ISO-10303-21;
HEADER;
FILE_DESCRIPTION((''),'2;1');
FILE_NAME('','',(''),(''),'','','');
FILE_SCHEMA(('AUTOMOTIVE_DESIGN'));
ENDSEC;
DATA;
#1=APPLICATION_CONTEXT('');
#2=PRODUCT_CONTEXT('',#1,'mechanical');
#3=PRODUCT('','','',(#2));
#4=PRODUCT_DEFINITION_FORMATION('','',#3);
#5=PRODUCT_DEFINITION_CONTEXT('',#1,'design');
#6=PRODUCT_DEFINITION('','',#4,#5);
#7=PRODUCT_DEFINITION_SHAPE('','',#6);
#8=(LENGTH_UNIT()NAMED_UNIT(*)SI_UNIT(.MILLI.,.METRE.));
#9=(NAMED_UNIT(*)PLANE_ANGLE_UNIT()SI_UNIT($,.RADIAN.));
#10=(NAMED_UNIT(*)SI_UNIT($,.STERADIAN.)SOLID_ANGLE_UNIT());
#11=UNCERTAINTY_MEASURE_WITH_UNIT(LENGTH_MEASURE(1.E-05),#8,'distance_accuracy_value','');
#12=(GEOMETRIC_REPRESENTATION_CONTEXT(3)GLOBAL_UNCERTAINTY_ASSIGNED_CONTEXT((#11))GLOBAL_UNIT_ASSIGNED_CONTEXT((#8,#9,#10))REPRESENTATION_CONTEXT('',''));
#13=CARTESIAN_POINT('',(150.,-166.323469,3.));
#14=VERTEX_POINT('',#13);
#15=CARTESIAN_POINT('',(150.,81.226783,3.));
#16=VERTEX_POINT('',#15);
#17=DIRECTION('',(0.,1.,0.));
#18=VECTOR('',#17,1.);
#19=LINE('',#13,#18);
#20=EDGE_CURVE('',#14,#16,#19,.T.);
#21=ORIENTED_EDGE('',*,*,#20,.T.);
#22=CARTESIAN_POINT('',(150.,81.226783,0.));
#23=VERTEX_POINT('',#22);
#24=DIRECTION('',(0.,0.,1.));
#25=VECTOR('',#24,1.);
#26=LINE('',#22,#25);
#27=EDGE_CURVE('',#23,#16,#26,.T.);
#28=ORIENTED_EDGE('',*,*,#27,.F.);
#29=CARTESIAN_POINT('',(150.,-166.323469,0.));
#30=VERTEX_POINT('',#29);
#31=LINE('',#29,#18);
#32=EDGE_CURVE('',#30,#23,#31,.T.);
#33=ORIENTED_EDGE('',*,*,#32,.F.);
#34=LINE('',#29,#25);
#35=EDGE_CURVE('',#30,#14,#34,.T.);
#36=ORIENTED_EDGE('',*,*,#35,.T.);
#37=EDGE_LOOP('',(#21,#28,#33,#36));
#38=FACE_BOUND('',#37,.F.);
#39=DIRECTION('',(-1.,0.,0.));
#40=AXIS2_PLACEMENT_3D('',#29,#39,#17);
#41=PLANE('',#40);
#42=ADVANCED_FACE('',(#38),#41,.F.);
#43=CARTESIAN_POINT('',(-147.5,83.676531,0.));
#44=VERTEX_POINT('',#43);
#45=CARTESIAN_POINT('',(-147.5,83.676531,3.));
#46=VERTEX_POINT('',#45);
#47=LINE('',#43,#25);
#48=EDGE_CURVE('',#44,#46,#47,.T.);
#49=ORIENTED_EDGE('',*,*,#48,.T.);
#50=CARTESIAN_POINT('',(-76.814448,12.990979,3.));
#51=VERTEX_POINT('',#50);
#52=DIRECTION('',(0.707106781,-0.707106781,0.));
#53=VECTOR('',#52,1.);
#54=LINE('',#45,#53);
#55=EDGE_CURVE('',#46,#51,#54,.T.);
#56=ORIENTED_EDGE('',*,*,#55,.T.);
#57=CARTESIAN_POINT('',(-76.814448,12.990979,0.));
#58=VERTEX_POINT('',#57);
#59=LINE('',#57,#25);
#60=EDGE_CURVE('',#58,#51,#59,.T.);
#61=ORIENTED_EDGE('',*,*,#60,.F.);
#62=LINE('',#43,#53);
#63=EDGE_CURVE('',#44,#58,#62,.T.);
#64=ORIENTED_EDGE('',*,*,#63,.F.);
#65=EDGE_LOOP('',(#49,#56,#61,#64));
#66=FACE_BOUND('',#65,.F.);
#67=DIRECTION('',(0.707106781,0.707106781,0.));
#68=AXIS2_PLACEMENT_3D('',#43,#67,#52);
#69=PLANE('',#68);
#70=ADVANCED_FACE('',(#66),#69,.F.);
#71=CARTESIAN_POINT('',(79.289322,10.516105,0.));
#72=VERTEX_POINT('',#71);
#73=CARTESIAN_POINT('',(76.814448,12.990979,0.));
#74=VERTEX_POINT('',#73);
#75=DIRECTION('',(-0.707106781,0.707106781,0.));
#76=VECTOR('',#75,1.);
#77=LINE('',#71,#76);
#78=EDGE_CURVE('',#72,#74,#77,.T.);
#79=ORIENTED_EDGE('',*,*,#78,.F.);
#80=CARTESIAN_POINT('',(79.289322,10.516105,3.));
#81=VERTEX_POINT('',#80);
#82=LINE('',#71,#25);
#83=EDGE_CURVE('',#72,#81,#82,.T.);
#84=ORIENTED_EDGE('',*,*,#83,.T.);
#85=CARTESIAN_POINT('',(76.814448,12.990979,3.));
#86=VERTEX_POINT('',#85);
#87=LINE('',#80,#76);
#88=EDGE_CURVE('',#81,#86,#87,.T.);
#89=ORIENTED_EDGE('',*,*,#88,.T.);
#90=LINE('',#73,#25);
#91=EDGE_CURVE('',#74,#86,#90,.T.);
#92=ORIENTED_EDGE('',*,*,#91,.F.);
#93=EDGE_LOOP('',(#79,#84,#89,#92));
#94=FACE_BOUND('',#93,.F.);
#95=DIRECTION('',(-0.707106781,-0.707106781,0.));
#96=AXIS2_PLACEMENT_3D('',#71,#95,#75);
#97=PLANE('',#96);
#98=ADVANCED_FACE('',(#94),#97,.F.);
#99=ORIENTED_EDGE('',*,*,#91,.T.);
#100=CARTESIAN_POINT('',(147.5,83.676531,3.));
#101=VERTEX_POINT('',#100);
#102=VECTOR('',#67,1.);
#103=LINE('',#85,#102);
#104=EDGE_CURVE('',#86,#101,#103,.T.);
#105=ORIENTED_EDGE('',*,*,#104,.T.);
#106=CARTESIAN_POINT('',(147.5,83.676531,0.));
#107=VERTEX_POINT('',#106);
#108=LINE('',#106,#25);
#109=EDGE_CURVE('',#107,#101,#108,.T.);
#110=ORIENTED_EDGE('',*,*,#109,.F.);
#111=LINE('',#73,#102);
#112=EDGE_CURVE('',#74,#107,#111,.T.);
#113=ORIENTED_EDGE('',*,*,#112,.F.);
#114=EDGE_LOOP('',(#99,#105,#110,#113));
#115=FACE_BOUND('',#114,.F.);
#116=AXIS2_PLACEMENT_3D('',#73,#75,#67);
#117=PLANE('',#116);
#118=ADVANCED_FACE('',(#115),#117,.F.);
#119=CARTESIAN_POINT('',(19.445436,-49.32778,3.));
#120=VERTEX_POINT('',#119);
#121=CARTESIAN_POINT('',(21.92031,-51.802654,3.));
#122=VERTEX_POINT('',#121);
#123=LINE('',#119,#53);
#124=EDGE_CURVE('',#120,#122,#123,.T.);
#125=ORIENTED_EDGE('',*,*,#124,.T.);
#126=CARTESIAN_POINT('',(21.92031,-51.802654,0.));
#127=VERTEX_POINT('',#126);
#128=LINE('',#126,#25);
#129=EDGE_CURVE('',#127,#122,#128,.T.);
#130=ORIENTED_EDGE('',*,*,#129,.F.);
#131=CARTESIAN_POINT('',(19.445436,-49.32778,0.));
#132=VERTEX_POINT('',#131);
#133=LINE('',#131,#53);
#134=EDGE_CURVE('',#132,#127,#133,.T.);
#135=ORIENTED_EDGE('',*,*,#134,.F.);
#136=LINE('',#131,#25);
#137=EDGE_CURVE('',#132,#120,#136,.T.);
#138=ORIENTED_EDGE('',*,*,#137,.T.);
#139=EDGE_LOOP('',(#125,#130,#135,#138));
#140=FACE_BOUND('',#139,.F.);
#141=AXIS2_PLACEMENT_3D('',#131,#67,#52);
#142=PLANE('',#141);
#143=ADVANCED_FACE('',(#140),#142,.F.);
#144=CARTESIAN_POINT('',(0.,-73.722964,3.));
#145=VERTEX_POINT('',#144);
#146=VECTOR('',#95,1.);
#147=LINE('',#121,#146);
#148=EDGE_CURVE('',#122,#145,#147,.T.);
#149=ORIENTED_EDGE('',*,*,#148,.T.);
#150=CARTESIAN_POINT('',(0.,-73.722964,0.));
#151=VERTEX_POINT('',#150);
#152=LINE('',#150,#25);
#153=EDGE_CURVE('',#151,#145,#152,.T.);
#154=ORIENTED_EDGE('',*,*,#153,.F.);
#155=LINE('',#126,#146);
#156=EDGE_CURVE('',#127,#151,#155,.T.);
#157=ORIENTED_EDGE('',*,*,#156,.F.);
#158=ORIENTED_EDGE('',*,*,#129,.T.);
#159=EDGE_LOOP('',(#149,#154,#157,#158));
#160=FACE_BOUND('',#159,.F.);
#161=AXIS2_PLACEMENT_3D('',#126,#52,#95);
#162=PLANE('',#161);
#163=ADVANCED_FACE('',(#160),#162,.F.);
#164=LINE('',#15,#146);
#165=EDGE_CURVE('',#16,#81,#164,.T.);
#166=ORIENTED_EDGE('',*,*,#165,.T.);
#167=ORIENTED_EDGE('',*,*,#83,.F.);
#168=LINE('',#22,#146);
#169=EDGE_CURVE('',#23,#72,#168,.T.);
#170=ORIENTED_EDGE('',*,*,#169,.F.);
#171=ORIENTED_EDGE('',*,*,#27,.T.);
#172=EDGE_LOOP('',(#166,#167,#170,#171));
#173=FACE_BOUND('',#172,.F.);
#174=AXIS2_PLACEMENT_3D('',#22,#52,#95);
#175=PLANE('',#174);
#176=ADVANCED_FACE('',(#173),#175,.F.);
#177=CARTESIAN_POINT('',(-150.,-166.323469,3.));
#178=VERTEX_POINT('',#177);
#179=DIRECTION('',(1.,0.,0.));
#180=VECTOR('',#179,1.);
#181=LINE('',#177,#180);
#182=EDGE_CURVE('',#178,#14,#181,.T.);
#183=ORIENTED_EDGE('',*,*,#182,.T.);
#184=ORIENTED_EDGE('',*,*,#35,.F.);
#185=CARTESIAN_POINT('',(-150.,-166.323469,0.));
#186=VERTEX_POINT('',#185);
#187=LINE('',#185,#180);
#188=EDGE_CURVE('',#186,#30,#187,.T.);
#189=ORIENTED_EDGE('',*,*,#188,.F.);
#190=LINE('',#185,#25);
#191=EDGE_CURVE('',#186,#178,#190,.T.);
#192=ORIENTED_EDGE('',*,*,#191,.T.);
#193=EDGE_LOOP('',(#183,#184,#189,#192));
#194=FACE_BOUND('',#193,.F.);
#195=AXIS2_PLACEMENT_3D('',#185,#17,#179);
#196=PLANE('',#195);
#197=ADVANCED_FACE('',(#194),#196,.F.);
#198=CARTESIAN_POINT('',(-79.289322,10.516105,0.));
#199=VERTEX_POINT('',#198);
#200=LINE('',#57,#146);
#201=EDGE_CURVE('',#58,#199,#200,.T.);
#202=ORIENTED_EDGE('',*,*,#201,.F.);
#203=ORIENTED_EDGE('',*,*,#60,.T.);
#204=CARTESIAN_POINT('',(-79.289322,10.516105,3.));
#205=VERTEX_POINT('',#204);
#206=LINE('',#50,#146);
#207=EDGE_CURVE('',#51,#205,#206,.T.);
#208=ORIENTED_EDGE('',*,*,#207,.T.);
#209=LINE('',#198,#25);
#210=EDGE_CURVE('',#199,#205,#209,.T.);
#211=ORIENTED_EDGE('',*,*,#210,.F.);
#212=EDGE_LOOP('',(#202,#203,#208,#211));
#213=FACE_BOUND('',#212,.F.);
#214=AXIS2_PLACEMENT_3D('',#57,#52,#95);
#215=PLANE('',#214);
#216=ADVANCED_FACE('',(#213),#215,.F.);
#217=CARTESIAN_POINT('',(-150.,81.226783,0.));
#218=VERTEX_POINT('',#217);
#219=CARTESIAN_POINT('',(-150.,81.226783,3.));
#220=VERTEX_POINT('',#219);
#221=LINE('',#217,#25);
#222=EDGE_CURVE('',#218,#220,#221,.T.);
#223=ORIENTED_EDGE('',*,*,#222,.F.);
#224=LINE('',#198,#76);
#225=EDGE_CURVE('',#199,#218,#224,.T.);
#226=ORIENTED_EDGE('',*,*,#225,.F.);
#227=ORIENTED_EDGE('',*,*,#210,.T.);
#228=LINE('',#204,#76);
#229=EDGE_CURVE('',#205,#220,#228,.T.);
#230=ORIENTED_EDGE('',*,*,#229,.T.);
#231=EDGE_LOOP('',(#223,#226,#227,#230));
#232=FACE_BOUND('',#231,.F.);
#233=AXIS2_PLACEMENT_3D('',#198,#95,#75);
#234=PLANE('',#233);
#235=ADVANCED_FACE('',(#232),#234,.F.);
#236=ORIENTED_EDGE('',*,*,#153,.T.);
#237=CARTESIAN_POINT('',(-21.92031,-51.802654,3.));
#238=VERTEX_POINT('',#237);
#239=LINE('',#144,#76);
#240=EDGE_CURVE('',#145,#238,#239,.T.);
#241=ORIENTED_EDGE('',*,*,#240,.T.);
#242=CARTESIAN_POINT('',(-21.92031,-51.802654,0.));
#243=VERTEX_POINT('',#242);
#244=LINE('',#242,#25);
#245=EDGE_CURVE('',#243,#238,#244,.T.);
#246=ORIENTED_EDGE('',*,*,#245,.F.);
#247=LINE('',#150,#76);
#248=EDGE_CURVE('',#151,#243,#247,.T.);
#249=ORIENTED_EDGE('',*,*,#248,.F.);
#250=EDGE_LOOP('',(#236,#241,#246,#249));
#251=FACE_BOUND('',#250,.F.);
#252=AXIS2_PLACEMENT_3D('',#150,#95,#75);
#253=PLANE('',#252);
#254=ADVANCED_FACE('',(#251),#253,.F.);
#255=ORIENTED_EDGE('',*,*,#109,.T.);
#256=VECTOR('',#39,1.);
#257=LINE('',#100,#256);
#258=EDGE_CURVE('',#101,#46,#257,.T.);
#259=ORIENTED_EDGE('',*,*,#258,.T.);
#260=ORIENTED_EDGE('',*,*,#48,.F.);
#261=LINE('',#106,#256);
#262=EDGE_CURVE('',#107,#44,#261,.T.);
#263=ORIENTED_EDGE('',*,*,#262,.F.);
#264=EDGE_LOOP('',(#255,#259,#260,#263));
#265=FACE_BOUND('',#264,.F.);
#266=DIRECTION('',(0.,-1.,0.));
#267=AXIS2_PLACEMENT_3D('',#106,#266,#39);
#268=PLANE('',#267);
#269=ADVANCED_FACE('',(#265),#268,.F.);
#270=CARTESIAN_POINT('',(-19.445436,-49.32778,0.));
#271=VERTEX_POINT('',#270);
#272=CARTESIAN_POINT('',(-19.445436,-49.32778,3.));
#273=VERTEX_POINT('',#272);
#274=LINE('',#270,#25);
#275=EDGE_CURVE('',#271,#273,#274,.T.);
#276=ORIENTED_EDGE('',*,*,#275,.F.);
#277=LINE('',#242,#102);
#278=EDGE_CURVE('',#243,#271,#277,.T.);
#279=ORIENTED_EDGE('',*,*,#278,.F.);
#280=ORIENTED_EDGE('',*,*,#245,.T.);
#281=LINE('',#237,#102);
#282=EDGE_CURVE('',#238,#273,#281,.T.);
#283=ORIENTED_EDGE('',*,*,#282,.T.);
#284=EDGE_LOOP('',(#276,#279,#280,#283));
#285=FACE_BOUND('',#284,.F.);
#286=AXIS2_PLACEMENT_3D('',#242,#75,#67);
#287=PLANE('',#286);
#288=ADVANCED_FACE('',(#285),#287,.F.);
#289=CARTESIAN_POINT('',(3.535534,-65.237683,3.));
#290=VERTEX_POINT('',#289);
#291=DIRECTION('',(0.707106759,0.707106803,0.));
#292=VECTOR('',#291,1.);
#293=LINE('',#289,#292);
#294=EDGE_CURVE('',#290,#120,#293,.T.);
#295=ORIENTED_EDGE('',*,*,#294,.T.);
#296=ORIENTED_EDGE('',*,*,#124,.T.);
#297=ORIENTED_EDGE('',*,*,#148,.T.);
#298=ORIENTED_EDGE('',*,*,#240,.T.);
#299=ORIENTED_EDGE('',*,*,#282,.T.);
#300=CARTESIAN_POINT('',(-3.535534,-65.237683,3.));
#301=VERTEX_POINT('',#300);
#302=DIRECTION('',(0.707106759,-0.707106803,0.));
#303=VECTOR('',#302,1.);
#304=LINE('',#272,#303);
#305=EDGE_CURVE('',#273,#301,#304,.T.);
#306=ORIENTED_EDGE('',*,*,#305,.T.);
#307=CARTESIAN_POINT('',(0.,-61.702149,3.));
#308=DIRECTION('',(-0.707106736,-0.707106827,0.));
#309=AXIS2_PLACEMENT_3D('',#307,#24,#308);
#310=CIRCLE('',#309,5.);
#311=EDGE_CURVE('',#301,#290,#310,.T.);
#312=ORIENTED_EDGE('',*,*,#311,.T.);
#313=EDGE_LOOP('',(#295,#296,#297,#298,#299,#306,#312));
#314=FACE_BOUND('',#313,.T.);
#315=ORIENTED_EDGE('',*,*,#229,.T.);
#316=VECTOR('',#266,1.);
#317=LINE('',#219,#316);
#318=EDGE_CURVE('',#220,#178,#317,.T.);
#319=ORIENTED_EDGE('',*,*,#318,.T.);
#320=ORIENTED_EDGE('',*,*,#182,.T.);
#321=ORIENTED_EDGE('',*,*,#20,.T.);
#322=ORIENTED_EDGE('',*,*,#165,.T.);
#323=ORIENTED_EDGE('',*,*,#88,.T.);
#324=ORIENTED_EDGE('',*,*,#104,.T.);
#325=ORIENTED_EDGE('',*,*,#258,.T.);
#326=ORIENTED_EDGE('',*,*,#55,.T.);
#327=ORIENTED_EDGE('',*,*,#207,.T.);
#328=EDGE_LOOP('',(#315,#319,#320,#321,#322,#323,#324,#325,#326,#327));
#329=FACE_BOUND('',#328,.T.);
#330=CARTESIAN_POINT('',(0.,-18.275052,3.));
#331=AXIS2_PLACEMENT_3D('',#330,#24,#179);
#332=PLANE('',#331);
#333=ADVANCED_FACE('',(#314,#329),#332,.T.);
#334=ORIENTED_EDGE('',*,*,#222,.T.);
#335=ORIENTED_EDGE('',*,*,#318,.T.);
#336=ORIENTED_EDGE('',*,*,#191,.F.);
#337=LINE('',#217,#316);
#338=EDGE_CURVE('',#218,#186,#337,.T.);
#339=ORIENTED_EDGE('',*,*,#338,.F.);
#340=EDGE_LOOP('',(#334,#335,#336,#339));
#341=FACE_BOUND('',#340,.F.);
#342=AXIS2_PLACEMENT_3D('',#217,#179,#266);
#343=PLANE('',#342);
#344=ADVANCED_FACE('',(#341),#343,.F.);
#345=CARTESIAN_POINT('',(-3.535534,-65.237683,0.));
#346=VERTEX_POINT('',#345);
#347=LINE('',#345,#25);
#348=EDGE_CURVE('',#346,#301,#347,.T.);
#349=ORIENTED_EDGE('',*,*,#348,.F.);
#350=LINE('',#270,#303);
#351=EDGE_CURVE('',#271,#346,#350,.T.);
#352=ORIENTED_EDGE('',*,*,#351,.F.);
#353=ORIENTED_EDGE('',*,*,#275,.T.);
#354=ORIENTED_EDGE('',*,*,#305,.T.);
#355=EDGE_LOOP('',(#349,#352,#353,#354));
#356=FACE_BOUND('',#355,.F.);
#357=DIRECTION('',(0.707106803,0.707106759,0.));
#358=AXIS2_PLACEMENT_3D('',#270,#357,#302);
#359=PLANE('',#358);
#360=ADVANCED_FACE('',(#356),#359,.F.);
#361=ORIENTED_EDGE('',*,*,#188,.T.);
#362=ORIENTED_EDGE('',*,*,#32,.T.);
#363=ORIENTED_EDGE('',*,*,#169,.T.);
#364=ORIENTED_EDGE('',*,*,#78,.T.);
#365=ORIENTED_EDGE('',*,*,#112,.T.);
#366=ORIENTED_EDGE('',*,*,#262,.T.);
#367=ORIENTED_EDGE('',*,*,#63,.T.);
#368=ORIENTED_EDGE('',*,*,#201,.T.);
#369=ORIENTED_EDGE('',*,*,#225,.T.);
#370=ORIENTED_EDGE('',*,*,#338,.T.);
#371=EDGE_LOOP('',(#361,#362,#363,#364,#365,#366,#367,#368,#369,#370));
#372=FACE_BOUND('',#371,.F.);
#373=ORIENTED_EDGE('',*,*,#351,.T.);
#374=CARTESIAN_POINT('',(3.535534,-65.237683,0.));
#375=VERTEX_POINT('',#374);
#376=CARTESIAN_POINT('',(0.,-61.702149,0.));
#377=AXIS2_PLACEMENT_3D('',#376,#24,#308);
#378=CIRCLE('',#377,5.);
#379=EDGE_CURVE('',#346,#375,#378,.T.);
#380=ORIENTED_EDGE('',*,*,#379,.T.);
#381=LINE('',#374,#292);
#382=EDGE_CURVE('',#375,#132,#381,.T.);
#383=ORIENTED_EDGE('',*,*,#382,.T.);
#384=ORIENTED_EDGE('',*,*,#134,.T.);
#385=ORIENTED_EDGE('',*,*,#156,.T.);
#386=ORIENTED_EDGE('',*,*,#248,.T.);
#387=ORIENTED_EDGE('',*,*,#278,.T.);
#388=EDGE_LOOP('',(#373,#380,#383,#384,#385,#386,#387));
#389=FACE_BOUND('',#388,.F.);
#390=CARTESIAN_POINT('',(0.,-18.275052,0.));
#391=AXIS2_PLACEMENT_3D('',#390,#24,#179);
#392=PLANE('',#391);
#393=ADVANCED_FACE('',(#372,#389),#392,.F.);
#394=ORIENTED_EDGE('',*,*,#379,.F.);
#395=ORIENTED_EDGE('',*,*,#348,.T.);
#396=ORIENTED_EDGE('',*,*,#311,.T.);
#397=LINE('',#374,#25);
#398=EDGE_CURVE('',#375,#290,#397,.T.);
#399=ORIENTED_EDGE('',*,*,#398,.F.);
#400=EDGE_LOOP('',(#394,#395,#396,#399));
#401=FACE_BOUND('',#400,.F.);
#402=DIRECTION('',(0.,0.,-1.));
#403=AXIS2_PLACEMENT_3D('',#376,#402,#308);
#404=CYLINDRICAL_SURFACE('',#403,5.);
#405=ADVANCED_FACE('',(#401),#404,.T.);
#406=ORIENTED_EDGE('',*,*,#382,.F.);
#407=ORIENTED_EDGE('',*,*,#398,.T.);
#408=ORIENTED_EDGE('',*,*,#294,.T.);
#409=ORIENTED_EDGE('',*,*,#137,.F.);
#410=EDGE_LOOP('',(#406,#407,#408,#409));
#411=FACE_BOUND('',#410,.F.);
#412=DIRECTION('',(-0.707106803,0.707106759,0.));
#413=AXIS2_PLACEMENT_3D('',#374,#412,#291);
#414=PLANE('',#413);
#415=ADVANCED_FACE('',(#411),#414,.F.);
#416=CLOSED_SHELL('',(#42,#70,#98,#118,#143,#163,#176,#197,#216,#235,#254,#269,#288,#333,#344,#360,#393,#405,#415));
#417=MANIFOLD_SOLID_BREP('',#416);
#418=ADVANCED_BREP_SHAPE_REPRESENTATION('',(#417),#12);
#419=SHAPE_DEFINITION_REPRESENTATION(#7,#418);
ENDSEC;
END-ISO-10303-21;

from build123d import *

# Parameters (mm, degrees)
F1_DEPTH = 3


with BuildPart() as f1:
    # F0 (on Top) → F1 (new body)
    with BuildSketch(Plane.XY):
        Polygon((76.814448, 12.990979), (147.5, 83.676531), (-147.5, 83.676531), (-76.814448, 12.990979), (-79.289322, 10.516105), (-150, 81.226783), (-150, -166.323469), (150, -166.323469), (150, 81.226783), (79.289322, 10.516105), align=None)
        with BuildLine():
            Line((-21.92031, -51.802654), (-19.445436, -49.32778))
            Line((-19.445436, -49.32778), (-3.535534, -65.237683))
            ThreePointArc((-3.535534, -65.237683), (0, -66.702149), (3.535534, -65.237683))
            Line((3.535534, -65.237683), (19.445436, -49.32778))
            Line((19.445436, -49.32778), (21.92031, -51.802654))
            Line((21.92031, -51.802654), (0, -73.722964))
            Line((0, -73.722964), (-21.92031, -51.802654))
        make_face(mode=Mode.SUBTRACT)
    extrude(amount=F1_DEPTH)


solid = f1.part
